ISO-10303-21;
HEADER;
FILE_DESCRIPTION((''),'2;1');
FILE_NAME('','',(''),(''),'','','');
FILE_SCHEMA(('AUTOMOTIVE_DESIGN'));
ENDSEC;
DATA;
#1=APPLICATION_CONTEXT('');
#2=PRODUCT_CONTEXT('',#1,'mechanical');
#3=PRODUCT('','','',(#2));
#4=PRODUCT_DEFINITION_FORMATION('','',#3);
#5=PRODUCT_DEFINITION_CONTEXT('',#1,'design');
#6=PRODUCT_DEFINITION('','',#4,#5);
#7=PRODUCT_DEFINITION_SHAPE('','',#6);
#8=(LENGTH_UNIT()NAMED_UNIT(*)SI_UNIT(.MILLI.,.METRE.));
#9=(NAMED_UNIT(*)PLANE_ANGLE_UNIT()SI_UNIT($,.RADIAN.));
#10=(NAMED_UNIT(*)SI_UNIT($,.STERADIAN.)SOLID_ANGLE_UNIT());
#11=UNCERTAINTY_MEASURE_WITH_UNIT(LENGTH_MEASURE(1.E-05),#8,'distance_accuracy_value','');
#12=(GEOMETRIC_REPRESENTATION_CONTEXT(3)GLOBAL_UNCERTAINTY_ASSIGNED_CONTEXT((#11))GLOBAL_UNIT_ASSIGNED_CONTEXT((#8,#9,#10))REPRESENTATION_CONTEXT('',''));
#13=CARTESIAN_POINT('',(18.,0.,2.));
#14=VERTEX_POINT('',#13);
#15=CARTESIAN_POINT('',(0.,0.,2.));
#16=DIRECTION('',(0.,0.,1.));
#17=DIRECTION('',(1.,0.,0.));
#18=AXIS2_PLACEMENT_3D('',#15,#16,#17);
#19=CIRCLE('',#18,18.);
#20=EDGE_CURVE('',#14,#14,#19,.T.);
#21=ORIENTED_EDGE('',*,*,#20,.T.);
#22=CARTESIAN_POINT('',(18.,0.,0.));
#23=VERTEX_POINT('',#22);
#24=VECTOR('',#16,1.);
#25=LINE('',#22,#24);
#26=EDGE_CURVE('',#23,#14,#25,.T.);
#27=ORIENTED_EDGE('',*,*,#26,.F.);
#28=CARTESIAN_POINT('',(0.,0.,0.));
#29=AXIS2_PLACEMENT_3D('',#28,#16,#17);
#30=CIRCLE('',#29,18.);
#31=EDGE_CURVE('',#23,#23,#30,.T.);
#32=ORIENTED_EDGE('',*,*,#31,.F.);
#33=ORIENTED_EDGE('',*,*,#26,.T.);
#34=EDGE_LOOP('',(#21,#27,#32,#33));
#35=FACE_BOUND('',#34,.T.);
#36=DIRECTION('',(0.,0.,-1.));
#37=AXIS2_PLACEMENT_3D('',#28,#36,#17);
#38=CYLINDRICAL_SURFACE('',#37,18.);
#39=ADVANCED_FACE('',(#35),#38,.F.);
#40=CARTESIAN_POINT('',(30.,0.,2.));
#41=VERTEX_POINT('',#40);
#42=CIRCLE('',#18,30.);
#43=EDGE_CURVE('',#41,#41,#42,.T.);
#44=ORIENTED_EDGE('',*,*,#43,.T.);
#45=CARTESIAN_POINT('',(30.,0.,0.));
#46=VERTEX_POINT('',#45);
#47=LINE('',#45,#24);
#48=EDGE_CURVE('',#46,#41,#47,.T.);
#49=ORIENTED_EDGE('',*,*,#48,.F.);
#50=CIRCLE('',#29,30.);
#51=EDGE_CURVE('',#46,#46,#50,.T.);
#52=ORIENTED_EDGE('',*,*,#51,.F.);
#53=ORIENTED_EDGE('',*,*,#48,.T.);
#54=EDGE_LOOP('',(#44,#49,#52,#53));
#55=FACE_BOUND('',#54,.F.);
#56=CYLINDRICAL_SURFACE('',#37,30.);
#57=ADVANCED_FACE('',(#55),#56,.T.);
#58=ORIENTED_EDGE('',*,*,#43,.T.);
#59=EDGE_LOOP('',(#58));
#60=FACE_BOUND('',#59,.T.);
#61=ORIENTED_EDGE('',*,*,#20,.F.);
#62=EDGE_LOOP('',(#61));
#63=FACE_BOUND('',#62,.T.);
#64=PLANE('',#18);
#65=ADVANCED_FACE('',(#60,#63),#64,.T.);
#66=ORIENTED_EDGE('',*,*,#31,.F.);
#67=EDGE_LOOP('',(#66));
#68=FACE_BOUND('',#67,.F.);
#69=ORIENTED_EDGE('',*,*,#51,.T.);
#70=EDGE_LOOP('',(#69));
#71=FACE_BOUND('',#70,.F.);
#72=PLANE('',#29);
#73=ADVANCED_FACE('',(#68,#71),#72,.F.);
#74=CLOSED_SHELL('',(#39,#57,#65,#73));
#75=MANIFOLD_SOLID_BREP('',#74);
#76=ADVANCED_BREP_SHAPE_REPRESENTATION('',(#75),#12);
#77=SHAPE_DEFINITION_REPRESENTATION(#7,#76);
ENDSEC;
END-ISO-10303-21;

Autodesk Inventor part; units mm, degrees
ref_plane "YZ Plane" through (0, 0, 0) normal (1, 0, 0) x (0, 1, 0)
ref_plane "XZ Plane" through (0, 0, 0) normal (0, 1, 0) x (-1, 0, 0)
ref_plane "XY Plane" through (0, 0, 0) normal (0, 0, 1) x (1, 0, 0)
sketch "Sketch1" plane through (0, 0, 0) normal (0, 0, 1) x (1, 0, 0)
  circle A0 centre (0, 0) radius 18
  circle A1 centre (0, 0) radius 30
  dimension "d0" = 36
  dimension "d4" = 60
extrude "Extrusion1" add sketch "Sketch1" along normal blind 2
properties part number "peca1"
